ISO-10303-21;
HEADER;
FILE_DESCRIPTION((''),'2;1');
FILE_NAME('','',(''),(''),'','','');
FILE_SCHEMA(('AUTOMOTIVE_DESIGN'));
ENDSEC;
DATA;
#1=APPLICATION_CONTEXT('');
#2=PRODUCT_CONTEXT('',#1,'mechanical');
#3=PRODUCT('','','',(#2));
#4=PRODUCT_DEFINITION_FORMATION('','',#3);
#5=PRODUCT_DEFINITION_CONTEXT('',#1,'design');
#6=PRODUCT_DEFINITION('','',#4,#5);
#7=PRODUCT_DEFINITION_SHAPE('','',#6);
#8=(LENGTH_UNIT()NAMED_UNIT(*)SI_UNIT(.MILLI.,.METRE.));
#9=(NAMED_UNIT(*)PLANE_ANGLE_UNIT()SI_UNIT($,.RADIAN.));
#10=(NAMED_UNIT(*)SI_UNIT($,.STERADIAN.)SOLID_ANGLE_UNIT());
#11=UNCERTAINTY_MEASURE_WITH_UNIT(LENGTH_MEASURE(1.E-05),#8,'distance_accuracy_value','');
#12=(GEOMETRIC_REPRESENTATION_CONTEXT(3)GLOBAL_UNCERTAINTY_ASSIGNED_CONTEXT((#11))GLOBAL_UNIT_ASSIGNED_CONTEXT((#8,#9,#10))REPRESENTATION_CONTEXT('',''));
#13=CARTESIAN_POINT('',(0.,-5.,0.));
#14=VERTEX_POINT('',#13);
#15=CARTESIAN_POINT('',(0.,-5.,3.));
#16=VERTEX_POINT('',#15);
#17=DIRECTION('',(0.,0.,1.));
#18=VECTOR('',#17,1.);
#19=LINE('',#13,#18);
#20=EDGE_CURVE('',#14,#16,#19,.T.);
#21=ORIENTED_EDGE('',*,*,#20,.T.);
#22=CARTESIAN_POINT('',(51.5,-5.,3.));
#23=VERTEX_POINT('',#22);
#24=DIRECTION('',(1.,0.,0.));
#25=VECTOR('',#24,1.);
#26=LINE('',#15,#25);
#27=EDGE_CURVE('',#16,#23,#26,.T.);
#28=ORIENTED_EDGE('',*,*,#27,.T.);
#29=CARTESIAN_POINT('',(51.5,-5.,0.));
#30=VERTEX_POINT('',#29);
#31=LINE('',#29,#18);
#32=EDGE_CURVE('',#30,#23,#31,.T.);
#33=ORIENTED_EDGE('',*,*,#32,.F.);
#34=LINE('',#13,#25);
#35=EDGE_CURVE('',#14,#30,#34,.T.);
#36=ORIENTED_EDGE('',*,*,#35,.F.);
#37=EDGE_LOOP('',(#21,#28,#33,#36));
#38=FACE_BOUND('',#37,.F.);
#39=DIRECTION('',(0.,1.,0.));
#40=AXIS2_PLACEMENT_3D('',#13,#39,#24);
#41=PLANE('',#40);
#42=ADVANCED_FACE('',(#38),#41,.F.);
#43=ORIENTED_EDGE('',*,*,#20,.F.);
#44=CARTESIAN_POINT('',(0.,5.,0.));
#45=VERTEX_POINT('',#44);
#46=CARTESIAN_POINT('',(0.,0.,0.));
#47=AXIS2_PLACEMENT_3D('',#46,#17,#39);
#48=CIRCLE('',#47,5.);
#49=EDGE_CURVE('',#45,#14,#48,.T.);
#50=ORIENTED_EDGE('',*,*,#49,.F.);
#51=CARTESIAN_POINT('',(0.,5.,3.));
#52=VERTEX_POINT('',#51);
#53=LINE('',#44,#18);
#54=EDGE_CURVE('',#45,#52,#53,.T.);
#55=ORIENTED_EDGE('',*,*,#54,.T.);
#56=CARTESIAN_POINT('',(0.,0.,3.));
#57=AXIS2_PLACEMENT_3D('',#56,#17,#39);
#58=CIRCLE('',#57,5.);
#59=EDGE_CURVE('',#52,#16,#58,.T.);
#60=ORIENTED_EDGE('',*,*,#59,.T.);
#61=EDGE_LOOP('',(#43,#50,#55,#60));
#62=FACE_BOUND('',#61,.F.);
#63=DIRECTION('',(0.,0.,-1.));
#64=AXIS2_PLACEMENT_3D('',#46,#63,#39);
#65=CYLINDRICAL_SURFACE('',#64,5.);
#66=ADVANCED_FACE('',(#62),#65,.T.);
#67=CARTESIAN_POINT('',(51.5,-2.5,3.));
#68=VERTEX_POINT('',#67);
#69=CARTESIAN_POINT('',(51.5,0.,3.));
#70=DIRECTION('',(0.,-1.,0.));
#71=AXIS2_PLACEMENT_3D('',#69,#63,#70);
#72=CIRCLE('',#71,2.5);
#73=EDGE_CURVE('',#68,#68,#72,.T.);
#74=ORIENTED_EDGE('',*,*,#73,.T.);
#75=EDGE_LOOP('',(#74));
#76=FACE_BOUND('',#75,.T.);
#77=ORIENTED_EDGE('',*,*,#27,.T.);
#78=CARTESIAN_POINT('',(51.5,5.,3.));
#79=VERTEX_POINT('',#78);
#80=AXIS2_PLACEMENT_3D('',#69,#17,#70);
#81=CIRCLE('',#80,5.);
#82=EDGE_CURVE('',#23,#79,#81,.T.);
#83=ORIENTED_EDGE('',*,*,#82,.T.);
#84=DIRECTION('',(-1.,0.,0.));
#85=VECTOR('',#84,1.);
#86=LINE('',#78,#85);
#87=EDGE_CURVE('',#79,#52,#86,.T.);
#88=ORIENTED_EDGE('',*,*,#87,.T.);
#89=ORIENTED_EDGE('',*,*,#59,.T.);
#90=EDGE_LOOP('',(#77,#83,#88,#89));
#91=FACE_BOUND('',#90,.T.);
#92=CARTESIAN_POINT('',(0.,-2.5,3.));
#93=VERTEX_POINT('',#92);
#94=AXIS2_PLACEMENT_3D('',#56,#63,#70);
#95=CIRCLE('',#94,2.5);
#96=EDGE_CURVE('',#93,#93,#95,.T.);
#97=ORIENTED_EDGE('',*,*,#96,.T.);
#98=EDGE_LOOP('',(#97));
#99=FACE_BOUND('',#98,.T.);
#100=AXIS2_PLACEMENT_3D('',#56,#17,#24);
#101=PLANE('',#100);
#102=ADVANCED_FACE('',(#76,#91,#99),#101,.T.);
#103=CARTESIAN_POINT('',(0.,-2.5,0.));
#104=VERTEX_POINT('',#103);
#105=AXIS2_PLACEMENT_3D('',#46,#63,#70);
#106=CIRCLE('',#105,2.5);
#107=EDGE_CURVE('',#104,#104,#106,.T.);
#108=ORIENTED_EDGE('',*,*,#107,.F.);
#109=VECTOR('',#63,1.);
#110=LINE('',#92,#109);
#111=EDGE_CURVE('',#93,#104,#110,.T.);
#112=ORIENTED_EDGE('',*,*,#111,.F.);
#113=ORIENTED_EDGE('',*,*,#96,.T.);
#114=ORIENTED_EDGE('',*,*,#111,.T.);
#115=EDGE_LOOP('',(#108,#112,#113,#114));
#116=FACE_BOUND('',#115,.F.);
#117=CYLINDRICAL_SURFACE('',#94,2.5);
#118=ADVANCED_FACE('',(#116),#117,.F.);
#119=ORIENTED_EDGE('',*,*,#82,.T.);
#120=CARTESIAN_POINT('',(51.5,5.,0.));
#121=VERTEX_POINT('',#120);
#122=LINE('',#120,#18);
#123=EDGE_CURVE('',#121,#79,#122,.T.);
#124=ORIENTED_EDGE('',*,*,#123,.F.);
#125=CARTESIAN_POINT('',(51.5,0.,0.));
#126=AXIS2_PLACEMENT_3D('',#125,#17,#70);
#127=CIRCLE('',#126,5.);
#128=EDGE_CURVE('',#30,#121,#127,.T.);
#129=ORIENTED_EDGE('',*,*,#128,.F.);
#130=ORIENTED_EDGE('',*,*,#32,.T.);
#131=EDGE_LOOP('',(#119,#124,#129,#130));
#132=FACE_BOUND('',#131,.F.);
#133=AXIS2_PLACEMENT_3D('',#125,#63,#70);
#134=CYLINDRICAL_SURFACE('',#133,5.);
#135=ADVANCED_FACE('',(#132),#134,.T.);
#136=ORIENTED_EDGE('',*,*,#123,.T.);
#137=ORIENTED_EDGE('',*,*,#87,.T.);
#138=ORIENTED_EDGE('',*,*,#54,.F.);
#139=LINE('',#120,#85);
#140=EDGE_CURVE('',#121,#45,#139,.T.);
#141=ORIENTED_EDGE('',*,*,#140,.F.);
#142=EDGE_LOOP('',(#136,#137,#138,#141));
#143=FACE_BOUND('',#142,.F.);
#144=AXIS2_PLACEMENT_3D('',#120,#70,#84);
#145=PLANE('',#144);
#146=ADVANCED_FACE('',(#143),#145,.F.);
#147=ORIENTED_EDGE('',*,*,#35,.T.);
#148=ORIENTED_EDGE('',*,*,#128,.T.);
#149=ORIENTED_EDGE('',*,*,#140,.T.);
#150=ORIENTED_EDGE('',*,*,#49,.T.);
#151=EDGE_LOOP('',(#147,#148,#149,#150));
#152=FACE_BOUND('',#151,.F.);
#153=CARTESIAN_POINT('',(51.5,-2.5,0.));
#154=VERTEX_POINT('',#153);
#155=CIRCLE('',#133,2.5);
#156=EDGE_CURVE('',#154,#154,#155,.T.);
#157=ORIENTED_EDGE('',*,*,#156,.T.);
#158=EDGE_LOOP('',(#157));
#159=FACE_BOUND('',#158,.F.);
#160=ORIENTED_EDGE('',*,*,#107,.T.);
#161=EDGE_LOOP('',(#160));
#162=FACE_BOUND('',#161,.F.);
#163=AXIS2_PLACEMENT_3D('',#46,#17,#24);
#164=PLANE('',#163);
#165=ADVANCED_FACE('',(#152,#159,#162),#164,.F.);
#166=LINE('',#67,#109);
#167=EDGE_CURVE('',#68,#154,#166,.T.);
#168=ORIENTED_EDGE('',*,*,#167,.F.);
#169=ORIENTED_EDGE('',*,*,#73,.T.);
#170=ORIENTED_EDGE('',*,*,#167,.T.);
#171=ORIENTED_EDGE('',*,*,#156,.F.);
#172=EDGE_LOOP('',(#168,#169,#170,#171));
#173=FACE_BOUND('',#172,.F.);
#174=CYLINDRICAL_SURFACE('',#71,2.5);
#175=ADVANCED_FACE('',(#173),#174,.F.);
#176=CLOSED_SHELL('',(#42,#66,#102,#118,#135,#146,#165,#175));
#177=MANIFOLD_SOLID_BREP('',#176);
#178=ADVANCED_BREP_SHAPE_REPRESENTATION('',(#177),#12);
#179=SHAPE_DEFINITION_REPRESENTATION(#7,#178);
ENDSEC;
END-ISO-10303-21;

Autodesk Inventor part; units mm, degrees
ref_plane "YZ Plane" through (0, 0, 0) normal (1, 0, 0) x (0, 1, 0)
ref_plane "XZ Plane" through (0, 0, 0) normal (0, 1, 0) x (-1, 0, 0)
ref_plane "XY Plane" through (0, 0, 0) normal (0, 0, 1) x (1, 0, 0)
sketch "草圖1" plane through (0, 0, 0) normal (0, 0, 1) x (1, 0, 0)
  line L0 (0, 0) -> (51.5, 0) construction
  line L1 (0, -5) -> (51.5, -5)
  line L2 (51.5, 5) -> (0, 5)
  arc A0 (0, 5) -> (0, -5) centre (0, 0) ccw
  arc A1 (51.5, -5) -> (51.5, 5) centre (51.5, 0) ccw
  point P0 (25.75, 0)
  dimension "d0" = 51.5
  dimension "d1" = 5
extrude "擠出1" add sketch "草圖1" along normal blind 3
hole "孔1" at (51.5, 0, 3) direction (0, 0, -1) diameter 5 depth 8 tip angle 118
hole "孔2" at (0, 0, 3) direction (0, 0, -1) diameter 5 depth 8 tip angle 118
properties part number "02連桿25"
